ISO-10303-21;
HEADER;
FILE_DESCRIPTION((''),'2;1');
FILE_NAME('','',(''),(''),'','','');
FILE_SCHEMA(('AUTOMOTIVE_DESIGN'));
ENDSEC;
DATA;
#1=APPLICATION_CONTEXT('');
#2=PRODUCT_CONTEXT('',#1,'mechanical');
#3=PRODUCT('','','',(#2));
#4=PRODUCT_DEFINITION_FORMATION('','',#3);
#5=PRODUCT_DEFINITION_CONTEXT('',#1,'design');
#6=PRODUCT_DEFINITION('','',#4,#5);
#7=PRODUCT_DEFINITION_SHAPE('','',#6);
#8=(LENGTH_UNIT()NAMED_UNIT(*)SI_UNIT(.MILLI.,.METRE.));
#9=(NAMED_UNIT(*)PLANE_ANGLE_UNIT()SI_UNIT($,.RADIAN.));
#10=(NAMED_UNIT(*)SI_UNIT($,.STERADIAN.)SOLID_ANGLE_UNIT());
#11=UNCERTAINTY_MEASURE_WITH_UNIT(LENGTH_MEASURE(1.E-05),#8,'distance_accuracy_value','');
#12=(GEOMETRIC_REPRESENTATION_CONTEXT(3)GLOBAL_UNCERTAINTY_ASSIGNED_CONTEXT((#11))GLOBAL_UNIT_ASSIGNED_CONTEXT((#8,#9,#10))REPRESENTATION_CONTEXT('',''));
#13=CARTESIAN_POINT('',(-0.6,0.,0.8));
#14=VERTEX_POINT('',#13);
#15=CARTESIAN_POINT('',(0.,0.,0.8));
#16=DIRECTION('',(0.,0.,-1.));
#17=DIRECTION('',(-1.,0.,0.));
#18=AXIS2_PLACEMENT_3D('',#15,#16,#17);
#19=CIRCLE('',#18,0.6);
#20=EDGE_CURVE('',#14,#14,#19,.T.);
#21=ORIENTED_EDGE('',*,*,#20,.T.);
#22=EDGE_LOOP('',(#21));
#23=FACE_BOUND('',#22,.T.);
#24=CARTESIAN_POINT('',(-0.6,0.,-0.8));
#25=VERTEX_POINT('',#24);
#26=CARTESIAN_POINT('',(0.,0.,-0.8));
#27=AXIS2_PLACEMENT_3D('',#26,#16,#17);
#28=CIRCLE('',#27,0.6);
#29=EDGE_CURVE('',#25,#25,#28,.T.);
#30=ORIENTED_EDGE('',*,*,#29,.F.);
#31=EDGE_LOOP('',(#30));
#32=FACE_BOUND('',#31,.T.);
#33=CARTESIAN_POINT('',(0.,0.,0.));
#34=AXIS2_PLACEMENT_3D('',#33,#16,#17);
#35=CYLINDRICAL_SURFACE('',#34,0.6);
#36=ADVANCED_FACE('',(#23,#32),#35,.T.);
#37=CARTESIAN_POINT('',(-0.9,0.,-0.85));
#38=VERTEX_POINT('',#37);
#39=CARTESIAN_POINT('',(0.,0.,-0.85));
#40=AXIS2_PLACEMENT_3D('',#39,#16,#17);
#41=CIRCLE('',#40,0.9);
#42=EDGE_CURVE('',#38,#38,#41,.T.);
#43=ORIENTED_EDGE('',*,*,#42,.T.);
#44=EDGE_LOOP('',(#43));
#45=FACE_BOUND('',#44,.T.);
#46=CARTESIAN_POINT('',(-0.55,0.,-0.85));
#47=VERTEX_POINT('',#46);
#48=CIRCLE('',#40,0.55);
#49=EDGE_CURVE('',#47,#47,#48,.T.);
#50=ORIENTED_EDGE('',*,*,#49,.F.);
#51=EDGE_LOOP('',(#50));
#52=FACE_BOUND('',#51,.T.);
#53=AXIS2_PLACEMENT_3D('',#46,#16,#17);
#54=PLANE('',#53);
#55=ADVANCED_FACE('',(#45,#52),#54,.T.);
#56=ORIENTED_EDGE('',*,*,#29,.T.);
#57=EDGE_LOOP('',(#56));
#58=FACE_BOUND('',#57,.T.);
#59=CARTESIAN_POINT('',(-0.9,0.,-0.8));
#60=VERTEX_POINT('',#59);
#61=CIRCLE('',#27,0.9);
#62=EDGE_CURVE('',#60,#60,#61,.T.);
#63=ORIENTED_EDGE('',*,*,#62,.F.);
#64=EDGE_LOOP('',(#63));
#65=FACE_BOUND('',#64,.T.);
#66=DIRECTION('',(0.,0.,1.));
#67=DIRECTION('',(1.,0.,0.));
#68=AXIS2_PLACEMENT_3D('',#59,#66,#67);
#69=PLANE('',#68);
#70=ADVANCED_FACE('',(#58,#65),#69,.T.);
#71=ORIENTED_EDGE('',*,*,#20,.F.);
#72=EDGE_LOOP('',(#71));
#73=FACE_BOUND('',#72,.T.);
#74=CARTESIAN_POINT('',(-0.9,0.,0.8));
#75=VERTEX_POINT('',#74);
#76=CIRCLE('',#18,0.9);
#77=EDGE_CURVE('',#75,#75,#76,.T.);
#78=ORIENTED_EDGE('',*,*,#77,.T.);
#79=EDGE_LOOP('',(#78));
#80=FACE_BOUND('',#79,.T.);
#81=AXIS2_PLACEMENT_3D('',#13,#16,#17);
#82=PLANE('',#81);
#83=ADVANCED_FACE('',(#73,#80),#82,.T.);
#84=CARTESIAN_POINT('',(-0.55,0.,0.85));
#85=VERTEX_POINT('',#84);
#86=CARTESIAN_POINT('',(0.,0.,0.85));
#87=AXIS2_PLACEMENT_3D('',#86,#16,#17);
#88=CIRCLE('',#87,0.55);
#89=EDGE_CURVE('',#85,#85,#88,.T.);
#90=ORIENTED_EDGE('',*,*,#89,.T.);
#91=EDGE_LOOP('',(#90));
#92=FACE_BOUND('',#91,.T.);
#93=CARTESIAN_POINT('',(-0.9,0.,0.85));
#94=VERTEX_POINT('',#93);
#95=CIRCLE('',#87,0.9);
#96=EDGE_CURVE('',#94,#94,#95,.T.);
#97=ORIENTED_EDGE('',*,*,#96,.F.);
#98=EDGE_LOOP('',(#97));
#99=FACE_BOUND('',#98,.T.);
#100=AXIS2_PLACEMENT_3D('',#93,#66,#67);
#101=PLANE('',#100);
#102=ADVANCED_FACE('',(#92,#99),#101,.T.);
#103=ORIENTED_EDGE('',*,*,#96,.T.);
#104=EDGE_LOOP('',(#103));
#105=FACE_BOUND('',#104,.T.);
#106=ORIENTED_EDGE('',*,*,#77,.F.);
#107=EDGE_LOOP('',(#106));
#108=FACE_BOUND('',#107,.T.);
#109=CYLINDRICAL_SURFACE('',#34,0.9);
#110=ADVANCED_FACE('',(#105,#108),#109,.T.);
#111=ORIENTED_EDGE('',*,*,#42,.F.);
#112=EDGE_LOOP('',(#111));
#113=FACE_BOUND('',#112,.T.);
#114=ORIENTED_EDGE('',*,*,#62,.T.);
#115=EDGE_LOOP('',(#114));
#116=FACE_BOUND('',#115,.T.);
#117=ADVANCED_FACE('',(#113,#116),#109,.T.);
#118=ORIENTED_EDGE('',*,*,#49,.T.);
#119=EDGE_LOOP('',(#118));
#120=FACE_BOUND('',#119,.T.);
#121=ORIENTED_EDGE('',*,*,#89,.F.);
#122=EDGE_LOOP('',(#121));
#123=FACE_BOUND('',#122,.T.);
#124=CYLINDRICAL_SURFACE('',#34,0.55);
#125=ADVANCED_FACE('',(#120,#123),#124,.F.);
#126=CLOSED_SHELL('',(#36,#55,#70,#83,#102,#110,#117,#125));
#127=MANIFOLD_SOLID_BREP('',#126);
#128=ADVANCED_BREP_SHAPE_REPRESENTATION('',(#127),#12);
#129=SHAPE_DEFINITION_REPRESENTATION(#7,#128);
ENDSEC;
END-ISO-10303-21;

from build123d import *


with BuildPart() as part:
    # Sketch1 → Revolve1 (revolve)
    with BuildSketch(Plane(origin=(0, 0, 0), x_dir=(1, 0, 0), z_dir=(0, 1, 0))):
        Polygon((-0.55, 0.85), (-0.9, 0.85), (-0.9, 0.8), (-0.6, 0.8), (-0.6, -0.8), (-0.9, -0.8), (-0.9, -0.85), (-0.55, -0.85), align=None)
    revolve(axis=Axis((0, 0, 0), (0, 0, 1)))


solid = part.part
